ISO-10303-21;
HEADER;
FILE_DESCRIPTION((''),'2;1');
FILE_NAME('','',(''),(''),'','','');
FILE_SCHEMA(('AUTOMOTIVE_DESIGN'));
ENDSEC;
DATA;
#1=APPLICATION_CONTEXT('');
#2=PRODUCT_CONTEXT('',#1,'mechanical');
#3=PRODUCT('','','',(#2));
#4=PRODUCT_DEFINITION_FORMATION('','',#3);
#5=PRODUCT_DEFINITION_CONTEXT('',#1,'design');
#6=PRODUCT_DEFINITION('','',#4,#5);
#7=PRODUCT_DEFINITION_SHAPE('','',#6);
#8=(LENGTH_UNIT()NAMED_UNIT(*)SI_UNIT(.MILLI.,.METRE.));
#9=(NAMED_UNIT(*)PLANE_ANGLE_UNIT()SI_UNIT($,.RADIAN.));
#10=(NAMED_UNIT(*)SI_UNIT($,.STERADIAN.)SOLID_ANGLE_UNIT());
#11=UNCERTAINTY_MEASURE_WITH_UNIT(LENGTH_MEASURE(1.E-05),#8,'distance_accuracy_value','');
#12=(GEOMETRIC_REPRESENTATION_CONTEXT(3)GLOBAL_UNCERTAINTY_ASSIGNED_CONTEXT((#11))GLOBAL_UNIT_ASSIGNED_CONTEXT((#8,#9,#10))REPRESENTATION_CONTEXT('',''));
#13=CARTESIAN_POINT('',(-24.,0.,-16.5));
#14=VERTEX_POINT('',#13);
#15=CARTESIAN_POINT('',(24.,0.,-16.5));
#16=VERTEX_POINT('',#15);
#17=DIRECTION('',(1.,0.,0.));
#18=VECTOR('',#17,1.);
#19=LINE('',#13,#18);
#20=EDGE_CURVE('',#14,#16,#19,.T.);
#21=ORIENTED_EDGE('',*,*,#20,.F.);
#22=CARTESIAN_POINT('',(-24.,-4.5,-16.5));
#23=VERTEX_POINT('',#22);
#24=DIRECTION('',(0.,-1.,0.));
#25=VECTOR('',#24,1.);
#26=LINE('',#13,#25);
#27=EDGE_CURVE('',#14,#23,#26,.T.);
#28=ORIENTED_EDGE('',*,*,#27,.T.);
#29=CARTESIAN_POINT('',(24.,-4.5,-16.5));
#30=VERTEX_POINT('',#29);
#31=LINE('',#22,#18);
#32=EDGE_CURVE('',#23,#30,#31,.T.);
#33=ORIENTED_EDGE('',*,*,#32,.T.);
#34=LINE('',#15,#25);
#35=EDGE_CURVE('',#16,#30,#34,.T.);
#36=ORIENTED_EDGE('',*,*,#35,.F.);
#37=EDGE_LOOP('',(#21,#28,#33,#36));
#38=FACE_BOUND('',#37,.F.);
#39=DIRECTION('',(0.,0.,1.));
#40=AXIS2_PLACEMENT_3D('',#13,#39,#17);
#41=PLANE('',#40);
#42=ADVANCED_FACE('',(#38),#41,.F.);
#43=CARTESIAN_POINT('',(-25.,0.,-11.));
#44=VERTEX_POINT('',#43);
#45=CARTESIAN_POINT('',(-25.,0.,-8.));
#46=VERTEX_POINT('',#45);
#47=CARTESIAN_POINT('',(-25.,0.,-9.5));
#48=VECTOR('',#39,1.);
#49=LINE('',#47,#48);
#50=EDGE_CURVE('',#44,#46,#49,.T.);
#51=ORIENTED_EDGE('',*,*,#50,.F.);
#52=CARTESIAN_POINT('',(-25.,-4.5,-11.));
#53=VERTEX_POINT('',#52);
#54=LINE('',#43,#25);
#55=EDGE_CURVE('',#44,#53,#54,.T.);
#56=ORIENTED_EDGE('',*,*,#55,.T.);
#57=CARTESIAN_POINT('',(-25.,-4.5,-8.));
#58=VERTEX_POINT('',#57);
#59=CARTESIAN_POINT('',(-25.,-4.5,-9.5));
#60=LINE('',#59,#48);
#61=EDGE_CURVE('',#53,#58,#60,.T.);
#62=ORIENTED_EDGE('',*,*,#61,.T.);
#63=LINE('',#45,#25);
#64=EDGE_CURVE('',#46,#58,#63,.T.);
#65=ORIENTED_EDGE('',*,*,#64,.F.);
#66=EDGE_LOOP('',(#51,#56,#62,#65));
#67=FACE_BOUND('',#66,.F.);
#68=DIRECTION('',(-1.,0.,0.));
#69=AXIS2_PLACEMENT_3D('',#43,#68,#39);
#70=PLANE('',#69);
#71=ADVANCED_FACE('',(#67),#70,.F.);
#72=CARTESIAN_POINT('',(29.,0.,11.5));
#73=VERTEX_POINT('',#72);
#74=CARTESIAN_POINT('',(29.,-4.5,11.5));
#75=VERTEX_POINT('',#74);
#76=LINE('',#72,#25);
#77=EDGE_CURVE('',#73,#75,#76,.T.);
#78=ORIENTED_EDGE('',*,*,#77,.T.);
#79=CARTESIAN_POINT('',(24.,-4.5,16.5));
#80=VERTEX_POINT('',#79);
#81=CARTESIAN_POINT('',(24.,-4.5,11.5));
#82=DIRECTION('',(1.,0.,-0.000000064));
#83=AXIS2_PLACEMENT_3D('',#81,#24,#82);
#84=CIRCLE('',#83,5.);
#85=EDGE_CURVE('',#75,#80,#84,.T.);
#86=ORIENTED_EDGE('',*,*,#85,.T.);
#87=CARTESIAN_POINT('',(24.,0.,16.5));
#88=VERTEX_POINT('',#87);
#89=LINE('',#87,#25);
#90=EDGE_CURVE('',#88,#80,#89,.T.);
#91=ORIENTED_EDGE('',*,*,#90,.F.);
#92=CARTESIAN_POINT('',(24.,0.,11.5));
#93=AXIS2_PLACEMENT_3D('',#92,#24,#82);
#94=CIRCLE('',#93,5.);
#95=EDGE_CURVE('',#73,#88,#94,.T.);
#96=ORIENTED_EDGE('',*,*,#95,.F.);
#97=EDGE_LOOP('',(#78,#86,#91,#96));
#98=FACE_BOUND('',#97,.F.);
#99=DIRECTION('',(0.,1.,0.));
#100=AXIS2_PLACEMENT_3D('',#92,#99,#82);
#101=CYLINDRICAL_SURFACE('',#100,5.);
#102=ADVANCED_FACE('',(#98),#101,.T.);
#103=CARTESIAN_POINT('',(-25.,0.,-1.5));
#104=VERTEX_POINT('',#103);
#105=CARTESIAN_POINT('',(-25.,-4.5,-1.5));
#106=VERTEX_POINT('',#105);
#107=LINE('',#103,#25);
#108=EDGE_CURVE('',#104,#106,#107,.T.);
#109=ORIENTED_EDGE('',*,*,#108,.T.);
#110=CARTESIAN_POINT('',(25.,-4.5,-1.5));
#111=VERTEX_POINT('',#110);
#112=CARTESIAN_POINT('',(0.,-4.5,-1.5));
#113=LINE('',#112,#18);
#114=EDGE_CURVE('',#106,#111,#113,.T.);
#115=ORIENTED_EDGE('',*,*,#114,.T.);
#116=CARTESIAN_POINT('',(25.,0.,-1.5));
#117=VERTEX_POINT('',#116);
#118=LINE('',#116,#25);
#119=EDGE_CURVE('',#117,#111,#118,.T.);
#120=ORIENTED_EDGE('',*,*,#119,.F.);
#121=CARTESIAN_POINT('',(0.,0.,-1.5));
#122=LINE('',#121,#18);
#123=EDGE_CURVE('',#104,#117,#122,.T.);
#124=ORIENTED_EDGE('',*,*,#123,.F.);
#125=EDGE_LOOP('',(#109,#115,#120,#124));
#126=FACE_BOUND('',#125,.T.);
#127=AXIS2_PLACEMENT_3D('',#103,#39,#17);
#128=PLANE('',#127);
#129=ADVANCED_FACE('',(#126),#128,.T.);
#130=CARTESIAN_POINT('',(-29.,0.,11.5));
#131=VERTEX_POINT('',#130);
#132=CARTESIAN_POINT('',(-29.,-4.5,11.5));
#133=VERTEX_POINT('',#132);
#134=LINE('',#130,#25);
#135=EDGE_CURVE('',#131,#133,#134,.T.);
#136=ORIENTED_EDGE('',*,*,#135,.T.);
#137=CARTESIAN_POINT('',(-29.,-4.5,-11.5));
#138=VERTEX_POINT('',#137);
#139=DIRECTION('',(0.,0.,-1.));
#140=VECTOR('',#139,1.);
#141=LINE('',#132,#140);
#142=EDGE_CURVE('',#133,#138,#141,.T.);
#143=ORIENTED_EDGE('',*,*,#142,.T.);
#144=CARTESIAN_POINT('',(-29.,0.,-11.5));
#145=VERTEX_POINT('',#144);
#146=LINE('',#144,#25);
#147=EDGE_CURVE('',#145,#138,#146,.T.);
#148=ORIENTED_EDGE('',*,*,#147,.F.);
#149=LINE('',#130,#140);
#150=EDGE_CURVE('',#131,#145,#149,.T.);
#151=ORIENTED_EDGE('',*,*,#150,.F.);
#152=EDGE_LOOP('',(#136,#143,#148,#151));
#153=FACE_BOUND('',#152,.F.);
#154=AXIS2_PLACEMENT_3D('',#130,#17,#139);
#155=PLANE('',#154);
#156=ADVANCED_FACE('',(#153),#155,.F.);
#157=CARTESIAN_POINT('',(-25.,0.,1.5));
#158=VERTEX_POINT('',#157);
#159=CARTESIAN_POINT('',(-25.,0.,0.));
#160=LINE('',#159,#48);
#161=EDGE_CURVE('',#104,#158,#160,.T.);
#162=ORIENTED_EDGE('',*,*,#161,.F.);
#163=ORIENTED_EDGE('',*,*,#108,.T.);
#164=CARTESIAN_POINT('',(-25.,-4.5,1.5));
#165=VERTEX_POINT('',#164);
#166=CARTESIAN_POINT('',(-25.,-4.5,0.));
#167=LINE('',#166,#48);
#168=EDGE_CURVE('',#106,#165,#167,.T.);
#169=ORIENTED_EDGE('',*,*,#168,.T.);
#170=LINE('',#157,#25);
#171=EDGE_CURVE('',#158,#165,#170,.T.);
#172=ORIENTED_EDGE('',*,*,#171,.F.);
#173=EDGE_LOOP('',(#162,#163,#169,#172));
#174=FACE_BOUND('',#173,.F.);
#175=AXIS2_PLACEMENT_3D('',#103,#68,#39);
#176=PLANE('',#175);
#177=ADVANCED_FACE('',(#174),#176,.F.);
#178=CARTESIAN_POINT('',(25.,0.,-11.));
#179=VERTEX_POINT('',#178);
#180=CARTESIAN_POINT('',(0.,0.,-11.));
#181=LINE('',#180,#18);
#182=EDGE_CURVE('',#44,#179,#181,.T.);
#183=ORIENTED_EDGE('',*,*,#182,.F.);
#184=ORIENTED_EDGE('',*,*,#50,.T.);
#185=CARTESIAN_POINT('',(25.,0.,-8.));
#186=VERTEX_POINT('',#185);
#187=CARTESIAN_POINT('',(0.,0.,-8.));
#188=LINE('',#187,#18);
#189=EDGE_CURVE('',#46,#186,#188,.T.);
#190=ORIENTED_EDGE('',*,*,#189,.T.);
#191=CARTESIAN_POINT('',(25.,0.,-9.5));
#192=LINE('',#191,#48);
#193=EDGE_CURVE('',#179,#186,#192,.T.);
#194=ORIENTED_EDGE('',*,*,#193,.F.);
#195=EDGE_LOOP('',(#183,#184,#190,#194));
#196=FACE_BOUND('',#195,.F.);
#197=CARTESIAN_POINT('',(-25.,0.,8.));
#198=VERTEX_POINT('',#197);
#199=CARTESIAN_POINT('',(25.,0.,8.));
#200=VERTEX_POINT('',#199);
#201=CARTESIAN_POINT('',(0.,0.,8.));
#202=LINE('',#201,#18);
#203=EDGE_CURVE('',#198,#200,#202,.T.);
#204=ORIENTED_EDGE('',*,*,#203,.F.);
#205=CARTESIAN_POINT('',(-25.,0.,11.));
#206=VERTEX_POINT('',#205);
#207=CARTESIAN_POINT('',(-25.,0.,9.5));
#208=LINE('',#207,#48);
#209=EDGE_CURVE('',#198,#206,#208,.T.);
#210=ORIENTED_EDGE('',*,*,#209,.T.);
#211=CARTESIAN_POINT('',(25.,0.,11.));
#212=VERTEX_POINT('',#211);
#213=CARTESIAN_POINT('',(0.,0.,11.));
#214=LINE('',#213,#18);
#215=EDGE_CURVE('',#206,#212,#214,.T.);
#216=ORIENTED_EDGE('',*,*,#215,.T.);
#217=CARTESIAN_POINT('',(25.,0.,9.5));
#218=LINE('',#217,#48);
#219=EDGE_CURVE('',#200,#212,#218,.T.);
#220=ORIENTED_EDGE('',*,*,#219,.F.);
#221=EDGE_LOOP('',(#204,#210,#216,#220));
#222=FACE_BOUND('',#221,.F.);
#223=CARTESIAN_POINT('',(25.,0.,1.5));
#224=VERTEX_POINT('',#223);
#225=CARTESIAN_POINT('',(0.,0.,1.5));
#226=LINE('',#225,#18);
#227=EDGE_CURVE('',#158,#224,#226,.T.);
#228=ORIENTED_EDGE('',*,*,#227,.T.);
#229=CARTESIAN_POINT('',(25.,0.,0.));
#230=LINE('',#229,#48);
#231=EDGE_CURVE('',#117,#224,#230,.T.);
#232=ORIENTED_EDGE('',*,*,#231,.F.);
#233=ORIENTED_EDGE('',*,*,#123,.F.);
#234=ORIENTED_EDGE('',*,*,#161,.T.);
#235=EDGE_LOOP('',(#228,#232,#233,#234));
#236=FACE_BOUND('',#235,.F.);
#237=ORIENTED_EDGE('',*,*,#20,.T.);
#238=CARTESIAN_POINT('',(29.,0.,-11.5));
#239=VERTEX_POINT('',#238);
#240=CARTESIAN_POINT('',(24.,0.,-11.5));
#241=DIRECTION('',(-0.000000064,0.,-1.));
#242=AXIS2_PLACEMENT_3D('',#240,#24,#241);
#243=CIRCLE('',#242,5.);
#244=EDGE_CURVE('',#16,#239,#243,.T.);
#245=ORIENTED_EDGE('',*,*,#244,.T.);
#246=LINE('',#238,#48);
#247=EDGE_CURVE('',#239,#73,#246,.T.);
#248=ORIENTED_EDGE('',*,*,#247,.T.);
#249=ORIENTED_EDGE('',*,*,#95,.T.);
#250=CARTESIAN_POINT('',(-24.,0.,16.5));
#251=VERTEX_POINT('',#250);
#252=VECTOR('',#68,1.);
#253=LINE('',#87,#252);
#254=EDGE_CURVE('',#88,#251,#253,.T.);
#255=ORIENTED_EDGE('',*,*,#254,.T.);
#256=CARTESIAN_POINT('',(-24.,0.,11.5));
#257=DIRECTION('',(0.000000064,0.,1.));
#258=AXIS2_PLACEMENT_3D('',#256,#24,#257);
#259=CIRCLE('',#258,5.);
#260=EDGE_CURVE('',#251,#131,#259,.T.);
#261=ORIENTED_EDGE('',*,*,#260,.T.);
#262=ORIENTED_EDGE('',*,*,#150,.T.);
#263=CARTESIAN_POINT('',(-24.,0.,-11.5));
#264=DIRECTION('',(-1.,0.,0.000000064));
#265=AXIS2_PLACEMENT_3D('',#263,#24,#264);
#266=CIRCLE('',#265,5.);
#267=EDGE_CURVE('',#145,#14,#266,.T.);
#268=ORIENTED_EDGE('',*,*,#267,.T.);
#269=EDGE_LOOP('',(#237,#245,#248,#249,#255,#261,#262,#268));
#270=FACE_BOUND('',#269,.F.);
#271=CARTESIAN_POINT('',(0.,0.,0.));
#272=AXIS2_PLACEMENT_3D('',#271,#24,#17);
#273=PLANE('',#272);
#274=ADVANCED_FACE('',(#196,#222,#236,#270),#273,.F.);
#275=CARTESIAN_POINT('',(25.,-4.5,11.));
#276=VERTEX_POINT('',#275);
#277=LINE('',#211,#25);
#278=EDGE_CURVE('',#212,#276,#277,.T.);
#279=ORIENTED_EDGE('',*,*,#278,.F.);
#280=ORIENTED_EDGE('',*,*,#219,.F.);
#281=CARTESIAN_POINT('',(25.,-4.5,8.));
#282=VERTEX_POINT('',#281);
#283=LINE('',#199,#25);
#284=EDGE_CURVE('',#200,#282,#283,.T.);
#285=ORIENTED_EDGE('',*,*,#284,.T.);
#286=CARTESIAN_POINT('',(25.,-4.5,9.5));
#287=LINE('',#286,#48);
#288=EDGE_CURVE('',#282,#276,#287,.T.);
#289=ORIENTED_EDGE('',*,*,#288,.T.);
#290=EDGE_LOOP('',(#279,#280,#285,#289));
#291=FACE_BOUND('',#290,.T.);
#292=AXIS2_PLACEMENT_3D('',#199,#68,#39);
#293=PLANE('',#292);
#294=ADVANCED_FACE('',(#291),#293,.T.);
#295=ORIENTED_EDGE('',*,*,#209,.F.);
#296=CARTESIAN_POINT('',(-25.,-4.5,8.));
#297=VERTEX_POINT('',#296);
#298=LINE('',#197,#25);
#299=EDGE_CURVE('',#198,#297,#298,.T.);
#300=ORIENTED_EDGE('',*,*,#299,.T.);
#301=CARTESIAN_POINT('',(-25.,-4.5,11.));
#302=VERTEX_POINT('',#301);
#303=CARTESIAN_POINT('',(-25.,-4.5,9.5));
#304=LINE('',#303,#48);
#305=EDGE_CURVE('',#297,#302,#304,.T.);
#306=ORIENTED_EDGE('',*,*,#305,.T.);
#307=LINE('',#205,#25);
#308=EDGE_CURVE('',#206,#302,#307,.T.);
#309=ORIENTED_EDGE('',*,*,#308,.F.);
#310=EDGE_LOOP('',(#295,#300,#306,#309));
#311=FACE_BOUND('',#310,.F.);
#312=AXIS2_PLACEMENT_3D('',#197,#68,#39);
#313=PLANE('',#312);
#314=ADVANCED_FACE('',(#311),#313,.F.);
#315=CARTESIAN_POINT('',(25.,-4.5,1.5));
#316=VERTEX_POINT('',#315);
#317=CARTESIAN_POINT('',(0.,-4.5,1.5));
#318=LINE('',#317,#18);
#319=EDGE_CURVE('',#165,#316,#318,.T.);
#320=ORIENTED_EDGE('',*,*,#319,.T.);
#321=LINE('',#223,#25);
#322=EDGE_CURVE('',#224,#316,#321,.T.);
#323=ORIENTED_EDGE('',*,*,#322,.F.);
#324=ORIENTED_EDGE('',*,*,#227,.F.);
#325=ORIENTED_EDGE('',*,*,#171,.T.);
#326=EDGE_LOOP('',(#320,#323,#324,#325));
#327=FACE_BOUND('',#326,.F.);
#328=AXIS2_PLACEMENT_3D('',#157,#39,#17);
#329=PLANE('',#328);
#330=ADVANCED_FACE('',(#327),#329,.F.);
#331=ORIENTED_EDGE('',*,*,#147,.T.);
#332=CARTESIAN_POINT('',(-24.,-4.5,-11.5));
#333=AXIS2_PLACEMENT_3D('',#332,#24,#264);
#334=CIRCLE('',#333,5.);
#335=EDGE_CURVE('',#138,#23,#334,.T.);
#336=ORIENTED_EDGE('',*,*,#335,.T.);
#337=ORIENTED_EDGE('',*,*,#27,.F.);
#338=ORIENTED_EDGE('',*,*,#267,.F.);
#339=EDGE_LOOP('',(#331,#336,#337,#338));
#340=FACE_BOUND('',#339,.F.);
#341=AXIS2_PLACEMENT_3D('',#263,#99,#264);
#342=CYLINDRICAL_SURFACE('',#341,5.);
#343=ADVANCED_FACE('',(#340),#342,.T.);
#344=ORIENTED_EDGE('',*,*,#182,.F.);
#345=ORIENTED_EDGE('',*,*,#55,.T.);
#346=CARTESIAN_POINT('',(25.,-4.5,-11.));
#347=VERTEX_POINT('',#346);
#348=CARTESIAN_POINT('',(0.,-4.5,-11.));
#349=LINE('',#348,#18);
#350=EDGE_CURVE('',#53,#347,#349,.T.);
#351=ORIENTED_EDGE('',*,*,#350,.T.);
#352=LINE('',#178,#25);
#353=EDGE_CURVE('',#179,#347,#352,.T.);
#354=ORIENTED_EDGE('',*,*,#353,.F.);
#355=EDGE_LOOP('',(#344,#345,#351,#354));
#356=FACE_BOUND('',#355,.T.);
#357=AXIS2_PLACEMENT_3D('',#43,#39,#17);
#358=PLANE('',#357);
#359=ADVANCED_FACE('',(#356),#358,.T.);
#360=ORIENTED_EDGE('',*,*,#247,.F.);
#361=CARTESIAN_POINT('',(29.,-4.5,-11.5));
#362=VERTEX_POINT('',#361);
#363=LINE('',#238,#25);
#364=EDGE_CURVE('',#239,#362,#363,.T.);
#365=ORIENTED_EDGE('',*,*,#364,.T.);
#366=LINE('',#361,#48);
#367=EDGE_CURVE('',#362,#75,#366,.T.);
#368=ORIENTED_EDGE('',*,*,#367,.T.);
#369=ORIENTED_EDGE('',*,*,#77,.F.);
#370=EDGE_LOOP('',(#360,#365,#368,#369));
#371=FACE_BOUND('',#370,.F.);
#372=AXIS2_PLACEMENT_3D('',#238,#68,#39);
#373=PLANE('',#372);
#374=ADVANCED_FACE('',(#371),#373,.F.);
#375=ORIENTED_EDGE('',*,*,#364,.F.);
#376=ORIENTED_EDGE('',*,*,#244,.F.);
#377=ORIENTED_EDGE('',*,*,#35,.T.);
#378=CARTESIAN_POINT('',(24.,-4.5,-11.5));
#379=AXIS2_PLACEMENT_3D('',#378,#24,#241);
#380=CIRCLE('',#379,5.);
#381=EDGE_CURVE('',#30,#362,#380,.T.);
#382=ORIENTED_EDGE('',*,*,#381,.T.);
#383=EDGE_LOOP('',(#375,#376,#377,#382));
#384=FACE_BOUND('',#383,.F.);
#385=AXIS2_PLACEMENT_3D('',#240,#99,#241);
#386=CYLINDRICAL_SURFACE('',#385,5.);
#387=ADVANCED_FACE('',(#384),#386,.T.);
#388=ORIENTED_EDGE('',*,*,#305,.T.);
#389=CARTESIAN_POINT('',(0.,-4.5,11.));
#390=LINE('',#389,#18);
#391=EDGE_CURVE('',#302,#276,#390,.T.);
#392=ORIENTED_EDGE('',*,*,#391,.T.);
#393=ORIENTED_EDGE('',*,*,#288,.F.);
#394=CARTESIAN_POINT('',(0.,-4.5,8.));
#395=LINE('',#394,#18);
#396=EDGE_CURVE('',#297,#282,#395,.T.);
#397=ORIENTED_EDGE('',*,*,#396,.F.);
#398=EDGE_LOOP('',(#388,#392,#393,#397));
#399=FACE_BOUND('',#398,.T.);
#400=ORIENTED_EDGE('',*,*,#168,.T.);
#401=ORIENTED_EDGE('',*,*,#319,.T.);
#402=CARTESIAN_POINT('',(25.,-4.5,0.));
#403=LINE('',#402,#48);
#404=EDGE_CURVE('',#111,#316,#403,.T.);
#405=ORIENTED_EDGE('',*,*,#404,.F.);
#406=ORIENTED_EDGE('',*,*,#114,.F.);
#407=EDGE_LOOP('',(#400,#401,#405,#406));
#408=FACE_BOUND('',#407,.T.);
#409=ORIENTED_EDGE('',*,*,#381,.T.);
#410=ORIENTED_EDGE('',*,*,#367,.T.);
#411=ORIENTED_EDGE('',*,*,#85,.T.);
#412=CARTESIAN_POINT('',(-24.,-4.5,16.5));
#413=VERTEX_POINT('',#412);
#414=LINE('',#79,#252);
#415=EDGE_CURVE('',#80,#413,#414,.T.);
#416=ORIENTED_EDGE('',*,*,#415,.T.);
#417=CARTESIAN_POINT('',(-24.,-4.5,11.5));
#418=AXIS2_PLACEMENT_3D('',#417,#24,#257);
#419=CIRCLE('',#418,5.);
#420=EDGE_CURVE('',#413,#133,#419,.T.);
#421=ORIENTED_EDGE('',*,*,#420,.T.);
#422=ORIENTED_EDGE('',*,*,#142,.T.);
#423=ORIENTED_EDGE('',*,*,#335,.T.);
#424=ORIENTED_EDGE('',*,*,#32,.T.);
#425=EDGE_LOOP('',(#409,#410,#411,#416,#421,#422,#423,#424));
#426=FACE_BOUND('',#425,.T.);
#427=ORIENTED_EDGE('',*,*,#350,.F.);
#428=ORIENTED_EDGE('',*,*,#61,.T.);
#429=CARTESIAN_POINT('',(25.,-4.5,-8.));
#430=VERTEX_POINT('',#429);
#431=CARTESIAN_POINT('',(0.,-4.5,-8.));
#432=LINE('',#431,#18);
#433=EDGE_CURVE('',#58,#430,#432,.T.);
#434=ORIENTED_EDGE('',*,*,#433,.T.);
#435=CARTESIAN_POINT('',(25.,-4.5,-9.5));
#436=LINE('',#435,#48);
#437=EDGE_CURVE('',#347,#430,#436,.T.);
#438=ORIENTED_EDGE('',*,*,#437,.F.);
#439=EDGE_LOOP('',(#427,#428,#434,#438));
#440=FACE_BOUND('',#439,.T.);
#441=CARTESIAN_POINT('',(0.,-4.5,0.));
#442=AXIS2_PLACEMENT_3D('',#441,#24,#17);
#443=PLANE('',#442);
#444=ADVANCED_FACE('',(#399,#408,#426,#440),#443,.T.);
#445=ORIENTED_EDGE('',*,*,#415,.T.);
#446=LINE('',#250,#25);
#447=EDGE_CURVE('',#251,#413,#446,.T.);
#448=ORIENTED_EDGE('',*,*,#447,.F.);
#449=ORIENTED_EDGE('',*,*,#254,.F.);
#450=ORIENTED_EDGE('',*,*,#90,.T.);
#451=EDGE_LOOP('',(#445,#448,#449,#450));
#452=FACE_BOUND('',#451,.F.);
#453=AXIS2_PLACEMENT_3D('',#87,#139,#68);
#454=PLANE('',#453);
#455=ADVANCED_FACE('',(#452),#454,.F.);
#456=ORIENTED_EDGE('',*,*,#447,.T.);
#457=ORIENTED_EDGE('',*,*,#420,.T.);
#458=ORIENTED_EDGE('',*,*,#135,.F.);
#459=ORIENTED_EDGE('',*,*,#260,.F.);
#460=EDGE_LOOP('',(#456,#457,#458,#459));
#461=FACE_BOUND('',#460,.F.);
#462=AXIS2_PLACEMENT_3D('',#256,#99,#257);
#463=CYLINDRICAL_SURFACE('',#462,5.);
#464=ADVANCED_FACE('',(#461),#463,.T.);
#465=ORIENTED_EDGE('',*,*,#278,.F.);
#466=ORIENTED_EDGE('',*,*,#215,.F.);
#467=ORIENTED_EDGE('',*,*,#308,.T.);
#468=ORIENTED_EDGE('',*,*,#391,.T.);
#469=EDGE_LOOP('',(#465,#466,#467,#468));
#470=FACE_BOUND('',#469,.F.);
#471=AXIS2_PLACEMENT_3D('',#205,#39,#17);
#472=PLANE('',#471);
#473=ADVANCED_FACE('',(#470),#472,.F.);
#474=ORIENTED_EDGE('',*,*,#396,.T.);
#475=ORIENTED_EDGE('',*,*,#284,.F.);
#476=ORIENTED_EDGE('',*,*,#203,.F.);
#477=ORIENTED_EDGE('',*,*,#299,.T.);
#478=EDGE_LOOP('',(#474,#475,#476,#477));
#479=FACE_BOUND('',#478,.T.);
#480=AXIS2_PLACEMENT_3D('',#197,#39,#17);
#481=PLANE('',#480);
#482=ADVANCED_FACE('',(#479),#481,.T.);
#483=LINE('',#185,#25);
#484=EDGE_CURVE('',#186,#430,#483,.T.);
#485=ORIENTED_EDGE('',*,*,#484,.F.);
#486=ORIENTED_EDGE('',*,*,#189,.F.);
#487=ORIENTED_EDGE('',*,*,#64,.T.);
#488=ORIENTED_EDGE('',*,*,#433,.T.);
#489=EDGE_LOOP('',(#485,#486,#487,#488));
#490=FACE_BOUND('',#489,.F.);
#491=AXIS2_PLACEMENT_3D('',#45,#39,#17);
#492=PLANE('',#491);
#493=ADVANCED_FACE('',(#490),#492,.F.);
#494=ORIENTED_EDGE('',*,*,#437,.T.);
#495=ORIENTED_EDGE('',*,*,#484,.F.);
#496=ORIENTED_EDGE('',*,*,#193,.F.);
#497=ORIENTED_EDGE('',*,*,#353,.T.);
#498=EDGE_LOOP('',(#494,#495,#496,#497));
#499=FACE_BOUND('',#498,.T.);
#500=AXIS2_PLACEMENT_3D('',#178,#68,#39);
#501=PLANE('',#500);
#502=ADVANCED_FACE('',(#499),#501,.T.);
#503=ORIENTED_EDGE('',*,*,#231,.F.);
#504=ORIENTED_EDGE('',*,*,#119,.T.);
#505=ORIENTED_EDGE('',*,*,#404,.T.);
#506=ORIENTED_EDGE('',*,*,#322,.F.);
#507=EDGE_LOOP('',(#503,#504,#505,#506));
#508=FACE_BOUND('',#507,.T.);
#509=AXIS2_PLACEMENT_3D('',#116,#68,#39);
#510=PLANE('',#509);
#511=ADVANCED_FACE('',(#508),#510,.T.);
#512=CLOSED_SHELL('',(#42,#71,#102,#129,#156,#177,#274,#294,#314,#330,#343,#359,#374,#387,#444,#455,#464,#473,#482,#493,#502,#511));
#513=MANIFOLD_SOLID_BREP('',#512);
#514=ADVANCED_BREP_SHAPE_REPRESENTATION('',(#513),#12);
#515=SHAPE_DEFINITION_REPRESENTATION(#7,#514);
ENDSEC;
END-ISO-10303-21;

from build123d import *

# Parameters (mm, degrees)
F2_DEPTH = 4.5
F1_W     = 50
F1_H     = 3
F3_DEPTH = 4.5


with BuildPart() as f2:
    # F0 (on Front) → F2 (new body)
    with BuildSketch(Plane.XZ):
        with BuildLine():
            Line((-24, -16.5), (24, -16.5))
            ThreePointArc((24, -16.5), (27.535534, -15.035534), (29, -11.5))
            Line((29, -11.5), (29, 11.5))
            ThreePointArc((29, 11.5), (27.535534, 15.035534), (24, 16.5))
            Line((24, 16.5), (-24, 16.5))
            ThreePointArc((-24, 16.5), (-27.535534, 15.035534), (-29, 11.5))
            Line((-29, 11.5), (-29, -11.5))
            ThreePointArc((-29, -11.5), (-27.535534, -15.035534), (-24, -16.5))
        make_face()
    extrude(amount=F2_DEPTH)

    # F1 (on Front) → F3 (cut)
    with BuildSketch(Plane.XZ):
        Rectangle(F1_W, F1_H)
        with Locations((0, 9.5)):
            Rectangle(F1_W, F1_H)
        with Locations((0, -9.5)):
            Rectangle(F1_W, F1_H)
    extrude(amount=F3_DEPTH, mode=Mode.SUBTRACT)


solid = f2.part
